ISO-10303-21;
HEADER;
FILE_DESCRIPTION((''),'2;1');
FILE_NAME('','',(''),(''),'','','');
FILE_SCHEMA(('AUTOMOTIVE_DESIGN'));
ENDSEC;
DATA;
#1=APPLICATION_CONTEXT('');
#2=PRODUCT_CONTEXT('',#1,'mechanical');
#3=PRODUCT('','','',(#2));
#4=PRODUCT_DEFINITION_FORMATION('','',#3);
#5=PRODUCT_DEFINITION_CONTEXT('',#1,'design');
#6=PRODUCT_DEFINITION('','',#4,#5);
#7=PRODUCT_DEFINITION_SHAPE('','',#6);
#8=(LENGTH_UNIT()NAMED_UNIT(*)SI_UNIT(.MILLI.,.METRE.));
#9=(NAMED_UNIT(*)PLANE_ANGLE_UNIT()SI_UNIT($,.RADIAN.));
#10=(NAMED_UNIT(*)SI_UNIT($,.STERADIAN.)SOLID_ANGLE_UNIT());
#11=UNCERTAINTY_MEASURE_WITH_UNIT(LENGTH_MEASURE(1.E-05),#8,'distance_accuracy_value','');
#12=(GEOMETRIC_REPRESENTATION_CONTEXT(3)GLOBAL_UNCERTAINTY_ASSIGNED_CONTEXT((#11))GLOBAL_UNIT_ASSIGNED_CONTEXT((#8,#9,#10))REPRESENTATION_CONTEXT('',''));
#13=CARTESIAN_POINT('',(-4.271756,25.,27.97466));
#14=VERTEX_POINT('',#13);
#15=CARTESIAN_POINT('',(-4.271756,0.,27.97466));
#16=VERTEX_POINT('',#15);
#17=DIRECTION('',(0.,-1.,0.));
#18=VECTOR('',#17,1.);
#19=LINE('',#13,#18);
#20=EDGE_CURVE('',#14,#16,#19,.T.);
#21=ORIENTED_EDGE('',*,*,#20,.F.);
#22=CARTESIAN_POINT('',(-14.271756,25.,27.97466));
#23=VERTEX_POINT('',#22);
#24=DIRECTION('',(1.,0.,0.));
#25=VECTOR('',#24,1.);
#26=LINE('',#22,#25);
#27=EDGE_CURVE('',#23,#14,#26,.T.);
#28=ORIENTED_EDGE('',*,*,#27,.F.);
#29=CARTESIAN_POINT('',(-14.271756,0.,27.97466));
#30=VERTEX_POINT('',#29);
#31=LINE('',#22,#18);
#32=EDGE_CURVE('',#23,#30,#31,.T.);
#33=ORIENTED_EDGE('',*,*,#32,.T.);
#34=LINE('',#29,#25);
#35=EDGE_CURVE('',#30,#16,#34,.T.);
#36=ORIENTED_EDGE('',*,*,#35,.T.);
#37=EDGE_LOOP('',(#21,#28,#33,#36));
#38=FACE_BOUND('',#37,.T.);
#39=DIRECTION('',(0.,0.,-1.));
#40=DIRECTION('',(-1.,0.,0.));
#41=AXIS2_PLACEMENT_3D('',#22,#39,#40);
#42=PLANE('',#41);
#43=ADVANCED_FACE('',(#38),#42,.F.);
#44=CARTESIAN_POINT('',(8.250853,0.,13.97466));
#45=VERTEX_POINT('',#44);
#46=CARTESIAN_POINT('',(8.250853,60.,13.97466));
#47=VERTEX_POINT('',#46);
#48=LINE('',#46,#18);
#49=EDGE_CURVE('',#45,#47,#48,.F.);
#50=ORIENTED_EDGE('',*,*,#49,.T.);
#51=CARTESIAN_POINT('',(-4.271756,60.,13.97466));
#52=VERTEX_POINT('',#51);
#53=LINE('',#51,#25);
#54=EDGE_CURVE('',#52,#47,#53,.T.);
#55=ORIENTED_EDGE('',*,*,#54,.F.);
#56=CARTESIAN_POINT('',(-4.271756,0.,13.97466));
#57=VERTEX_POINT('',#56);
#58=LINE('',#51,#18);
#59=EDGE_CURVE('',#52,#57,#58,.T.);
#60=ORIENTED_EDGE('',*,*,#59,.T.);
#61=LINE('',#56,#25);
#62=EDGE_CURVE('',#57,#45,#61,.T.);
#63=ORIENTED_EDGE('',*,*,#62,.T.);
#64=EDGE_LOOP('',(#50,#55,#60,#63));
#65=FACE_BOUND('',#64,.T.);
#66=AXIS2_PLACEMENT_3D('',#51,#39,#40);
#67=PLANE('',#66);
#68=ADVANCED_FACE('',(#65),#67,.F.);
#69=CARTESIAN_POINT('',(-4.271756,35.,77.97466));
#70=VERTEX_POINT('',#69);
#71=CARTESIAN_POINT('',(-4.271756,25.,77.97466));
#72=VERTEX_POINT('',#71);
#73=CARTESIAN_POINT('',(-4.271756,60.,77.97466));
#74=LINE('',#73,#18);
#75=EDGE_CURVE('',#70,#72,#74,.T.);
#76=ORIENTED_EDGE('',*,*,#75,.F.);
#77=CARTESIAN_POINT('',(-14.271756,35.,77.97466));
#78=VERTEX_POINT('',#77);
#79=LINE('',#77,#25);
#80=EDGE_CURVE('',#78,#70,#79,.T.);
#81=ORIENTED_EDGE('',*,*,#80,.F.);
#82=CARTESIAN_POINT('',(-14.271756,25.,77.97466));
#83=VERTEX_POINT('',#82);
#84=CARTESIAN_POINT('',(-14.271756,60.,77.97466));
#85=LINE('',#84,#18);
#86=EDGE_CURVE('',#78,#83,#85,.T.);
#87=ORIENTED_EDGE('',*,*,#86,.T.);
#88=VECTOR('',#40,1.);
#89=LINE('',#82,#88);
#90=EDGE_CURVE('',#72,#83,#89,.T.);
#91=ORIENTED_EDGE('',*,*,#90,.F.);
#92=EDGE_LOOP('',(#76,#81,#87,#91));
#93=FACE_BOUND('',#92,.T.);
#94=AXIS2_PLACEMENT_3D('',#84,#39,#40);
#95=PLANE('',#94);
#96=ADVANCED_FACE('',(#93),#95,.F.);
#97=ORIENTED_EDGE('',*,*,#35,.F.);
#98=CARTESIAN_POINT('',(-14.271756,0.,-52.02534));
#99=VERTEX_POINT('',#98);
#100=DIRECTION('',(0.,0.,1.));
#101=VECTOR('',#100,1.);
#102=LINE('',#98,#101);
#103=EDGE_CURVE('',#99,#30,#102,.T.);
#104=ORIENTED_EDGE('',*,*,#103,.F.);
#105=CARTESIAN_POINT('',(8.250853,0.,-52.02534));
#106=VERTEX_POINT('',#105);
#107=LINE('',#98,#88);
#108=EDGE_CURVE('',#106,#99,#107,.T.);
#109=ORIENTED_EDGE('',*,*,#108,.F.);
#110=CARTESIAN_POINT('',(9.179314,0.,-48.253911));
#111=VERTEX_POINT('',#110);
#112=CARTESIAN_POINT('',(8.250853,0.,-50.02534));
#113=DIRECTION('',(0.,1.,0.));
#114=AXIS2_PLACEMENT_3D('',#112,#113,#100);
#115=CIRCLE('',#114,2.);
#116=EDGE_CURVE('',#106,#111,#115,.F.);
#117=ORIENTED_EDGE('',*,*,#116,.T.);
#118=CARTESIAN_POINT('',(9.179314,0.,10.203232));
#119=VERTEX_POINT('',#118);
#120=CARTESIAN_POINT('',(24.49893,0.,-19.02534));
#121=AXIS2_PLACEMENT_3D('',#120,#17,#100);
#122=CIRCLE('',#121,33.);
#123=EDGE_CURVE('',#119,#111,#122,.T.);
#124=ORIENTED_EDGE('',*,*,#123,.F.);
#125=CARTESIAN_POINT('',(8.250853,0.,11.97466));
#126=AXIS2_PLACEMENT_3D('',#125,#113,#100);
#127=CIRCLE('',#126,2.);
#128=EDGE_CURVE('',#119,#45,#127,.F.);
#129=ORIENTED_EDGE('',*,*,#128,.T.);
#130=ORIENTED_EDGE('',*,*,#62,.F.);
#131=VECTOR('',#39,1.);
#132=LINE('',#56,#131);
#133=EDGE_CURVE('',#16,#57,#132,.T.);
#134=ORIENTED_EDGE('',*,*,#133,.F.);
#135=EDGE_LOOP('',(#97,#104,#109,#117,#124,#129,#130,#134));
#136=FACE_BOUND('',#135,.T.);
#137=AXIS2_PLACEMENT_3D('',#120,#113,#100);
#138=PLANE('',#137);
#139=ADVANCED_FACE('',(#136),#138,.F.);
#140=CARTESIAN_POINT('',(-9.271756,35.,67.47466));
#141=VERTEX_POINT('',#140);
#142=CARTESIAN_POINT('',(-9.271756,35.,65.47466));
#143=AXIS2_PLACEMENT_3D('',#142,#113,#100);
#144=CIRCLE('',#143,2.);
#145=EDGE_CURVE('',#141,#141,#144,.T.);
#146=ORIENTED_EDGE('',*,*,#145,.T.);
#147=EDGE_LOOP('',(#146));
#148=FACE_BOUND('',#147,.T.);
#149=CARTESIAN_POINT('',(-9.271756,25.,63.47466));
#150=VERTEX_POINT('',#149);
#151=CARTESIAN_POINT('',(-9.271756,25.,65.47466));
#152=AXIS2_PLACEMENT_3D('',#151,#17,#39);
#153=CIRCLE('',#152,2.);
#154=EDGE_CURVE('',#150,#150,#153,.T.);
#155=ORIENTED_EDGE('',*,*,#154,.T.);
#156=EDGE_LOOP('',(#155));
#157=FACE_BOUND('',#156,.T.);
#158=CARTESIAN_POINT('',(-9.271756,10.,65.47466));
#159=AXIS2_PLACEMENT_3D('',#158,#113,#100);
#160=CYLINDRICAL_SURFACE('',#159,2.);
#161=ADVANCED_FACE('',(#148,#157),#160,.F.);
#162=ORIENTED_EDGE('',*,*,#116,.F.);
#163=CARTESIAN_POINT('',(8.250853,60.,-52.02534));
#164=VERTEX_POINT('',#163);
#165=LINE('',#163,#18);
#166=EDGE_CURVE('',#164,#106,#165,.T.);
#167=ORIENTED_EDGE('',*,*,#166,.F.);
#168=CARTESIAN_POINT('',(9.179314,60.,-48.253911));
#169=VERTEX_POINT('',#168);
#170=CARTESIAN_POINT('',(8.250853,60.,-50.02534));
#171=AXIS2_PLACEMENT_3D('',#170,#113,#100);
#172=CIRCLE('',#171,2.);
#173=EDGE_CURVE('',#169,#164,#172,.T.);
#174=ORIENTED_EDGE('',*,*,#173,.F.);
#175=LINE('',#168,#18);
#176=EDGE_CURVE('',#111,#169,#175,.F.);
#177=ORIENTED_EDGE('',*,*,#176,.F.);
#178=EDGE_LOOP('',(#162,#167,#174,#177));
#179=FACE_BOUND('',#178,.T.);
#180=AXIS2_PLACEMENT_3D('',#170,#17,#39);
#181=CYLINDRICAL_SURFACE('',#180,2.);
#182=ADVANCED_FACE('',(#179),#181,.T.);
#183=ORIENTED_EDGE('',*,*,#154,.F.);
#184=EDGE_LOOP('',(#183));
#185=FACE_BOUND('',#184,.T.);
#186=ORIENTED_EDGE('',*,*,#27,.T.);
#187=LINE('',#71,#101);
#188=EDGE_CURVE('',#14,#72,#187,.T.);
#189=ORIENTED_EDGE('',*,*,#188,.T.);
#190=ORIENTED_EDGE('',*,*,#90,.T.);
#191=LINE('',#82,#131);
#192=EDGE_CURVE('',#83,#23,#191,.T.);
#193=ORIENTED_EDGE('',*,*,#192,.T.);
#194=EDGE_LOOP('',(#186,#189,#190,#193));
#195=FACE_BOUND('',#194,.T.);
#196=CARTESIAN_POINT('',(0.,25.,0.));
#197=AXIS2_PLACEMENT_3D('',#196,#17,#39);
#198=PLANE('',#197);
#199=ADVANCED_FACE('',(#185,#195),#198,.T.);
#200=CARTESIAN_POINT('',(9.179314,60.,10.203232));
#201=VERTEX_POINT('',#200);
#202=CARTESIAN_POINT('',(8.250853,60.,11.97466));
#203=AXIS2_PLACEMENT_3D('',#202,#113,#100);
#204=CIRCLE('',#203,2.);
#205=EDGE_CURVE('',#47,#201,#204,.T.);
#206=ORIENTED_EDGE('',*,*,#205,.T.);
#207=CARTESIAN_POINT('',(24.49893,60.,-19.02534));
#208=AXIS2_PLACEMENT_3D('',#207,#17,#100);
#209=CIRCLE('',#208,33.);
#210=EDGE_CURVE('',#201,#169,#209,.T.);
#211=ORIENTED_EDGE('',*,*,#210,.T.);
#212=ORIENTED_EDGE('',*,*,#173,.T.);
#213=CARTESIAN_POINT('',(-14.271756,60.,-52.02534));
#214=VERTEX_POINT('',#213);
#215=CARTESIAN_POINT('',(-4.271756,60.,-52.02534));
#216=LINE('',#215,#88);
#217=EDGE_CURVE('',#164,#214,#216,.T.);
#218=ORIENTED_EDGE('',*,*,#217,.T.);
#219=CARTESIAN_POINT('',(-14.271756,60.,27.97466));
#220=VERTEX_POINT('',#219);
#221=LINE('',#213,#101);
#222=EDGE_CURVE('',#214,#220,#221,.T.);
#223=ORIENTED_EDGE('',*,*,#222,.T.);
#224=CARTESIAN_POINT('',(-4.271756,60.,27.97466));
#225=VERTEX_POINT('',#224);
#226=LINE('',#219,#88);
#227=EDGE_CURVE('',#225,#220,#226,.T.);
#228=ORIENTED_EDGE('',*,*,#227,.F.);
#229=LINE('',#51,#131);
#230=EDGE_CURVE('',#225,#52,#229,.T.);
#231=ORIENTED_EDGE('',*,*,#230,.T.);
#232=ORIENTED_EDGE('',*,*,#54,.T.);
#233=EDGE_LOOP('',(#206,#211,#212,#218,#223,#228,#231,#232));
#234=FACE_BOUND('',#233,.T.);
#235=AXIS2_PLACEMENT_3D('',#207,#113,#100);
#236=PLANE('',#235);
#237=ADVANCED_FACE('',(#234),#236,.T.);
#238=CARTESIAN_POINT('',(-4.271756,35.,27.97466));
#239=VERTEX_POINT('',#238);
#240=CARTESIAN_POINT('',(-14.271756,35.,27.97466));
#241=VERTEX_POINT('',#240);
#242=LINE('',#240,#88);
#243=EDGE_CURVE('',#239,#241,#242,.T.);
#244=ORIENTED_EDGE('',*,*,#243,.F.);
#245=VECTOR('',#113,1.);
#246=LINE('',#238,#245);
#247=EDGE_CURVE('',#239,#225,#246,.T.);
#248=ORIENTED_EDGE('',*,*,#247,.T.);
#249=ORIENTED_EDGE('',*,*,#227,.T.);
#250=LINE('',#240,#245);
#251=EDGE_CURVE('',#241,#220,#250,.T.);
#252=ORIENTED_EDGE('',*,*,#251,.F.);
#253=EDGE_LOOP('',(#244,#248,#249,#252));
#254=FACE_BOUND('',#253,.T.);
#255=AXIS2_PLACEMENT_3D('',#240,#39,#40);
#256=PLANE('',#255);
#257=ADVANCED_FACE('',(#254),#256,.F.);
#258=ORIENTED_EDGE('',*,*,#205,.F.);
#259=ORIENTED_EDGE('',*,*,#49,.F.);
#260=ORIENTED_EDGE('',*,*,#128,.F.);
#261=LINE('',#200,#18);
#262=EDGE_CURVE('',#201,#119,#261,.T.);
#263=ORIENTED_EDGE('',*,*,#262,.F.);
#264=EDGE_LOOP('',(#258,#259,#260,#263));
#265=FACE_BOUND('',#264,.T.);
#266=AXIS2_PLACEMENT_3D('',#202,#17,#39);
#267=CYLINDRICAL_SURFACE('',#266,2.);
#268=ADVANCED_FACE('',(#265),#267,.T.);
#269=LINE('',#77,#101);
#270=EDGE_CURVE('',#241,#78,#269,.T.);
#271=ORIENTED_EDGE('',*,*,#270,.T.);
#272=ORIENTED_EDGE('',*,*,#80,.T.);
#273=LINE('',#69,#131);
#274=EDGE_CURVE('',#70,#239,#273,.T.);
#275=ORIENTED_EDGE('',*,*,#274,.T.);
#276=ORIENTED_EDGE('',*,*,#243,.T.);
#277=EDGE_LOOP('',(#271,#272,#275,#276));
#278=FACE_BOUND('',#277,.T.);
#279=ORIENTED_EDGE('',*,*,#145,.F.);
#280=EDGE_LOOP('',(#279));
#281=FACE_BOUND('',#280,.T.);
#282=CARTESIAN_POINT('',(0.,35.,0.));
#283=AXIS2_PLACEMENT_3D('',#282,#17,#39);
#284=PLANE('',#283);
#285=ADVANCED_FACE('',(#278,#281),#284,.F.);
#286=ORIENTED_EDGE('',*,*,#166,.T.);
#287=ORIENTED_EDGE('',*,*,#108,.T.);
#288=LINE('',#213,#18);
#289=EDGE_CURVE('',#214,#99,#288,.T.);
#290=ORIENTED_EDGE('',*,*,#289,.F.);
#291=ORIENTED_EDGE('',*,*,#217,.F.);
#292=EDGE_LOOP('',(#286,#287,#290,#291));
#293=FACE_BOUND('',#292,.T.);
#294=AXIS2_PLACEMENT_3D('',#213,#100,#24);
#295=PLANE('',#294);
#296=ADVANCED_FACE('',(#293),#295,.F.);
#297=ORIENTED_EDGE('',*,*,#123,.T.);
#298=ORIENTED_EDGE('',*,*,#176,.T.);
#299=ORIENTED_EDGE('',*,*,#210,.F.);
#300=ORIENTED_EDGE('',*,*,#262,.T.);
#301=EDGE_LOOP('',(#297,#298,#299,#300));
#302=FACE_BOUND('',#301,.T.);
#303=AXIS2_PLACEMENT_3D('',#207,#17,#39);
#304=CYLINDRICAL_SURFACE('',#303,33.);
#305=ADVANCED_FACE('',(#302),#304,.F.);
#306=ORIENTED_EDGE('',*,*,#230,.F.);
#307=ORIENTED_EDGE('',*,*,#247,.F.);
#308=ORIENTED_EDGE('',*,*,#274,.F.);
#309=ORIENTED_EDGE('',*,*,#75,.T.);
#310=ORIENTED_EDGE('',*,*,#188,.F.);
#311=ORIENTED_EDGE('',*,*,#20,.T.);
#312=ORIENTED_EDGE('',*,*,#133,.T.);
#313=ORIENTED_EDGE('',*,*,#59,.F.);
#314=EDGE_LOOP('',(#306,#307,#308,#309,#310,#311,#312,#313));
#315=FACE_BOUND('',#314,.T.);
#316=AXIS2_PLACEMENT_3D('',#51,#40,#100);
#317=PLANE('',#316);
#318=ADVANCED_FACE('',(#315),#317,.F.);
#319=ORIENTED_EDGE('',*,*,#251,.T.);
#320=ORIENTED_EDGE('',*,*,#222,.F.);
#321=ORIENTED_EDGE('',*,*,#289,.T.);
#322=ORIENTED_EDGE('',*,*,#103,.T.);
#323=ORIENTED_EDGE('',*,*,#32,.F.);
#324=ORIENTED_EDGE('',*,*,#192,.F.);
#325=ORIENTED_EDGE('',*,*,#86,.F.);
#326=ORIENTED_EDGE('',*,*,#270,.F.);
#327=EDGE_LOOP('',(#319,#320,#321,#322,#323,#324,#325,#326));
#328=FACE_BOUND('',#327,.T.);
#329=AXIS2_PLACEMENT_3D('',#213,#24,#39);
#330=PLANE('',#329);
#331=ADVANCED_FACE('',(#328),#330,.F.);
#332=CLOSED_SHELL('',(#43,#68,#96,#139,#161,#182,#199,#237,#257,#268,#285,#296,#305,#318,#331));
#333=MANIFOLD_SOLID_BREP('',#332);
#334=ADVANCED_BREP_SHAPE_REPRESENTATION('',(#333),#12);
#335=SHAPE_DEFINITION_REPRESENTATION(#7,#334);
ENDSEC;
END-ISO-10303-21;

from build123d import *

# Parameters (mm, degrees)
BOSS_EXTRUDE1_DEPTH = 60
SKETCH2_W           = 10
SKETCH2_H           = 50
CUT_EXTRUDE1_DEPTH  = 25
SKETCH3_W           = 10
SKETCH3_H           = 50
CUT_EXTRUDE2_DEPTH  = 25
FILLET1_R           = 2
SKETCH4_R           = 2
CUT_EXTRUDE3_DEPTH  = 25


with BuildPart() as part:
    # Sketch1 → Boss-Extrude1 (new body)
    with BuildSketch(Plane(origin=(0, 0, 0), x_dir=(1, 0, 0), z_dir=(0, 1, 0))):
        with BuildLine():
            Line((-4.271755912, 52.025339674), (24.498929667, 52.025339674))
            ThreePointArc((24.498929667, 52.025339674), (-8.501070333, 19.025339674), (24.498929667, -13.974660326))
            Line((24.498929667, -13.974660326), (-4.271755912, -13.974660326))
            Line((-4.271755912, -13.974660326), (-4.271755912, -77.974660326))
            Line((-4.271755912, -77.974660326), (-14.271755912, -77.974660326))
            Line((-14.271755912, -77.974660326), (-14.271755912, 52.025339674))
            Line((-14.271755912, 52.025339674), (-4.271755912, 52.025339674))
        make_face()
    extrude(amount=BOSS_EXTRUDE1_DEPTH)

    # Sketch2 → Cut-Extrude1 (cut)
    with BuildSketch(Plane(origin=(0, 60, 0), x_dir=(1, 0, 0), z_dir=(0, 1, 0))):
        with Locations((-9.271755912, -52.974660326)):
            Rectangle(SKETCH2_W, SKETCH2_H)
    extrude(amount=-CUT_EXTRUDE1_DEPTH, mode=Mode.SUBTRACT)

    # Sketch3 → Cut-Extrude2 (cut)
    with BuildSketch(Plane.XZ):
        with Locations((-9.271755912, 52.974660326)):
            Rectangle(SKETCH3_W, SKETCH3_H)
    extrude(amount=-CUT_EXTRUDE2_DEPTH, mode=Mode.SUBTRACT)

    # Fillet1
    fillet1_edges = [part.edges().sort_by_distance(p)[0] for p in [
        (24.498929667, 30, -52.025339674),
        (24.498929667, 30, 13.974660326),
    ]]
    fillet(fillet1_edges, radius=FILLET1_R)

    # Sketch4 → Cut-Extrude3 (cut)
    with BuildSketch(Plane(origin=(0, 35, 0), x_dir=(1, 0, 0), z_dir=(0, 1, 0))):
        with Locations((-9.271755912, -65.474660326)):
            Circle(SKETCH4_R)
    extrude(amount=-CUT_EXTRUDE3_DEPTH, mode=Mode.SUBTRACT)


solid = part.part
